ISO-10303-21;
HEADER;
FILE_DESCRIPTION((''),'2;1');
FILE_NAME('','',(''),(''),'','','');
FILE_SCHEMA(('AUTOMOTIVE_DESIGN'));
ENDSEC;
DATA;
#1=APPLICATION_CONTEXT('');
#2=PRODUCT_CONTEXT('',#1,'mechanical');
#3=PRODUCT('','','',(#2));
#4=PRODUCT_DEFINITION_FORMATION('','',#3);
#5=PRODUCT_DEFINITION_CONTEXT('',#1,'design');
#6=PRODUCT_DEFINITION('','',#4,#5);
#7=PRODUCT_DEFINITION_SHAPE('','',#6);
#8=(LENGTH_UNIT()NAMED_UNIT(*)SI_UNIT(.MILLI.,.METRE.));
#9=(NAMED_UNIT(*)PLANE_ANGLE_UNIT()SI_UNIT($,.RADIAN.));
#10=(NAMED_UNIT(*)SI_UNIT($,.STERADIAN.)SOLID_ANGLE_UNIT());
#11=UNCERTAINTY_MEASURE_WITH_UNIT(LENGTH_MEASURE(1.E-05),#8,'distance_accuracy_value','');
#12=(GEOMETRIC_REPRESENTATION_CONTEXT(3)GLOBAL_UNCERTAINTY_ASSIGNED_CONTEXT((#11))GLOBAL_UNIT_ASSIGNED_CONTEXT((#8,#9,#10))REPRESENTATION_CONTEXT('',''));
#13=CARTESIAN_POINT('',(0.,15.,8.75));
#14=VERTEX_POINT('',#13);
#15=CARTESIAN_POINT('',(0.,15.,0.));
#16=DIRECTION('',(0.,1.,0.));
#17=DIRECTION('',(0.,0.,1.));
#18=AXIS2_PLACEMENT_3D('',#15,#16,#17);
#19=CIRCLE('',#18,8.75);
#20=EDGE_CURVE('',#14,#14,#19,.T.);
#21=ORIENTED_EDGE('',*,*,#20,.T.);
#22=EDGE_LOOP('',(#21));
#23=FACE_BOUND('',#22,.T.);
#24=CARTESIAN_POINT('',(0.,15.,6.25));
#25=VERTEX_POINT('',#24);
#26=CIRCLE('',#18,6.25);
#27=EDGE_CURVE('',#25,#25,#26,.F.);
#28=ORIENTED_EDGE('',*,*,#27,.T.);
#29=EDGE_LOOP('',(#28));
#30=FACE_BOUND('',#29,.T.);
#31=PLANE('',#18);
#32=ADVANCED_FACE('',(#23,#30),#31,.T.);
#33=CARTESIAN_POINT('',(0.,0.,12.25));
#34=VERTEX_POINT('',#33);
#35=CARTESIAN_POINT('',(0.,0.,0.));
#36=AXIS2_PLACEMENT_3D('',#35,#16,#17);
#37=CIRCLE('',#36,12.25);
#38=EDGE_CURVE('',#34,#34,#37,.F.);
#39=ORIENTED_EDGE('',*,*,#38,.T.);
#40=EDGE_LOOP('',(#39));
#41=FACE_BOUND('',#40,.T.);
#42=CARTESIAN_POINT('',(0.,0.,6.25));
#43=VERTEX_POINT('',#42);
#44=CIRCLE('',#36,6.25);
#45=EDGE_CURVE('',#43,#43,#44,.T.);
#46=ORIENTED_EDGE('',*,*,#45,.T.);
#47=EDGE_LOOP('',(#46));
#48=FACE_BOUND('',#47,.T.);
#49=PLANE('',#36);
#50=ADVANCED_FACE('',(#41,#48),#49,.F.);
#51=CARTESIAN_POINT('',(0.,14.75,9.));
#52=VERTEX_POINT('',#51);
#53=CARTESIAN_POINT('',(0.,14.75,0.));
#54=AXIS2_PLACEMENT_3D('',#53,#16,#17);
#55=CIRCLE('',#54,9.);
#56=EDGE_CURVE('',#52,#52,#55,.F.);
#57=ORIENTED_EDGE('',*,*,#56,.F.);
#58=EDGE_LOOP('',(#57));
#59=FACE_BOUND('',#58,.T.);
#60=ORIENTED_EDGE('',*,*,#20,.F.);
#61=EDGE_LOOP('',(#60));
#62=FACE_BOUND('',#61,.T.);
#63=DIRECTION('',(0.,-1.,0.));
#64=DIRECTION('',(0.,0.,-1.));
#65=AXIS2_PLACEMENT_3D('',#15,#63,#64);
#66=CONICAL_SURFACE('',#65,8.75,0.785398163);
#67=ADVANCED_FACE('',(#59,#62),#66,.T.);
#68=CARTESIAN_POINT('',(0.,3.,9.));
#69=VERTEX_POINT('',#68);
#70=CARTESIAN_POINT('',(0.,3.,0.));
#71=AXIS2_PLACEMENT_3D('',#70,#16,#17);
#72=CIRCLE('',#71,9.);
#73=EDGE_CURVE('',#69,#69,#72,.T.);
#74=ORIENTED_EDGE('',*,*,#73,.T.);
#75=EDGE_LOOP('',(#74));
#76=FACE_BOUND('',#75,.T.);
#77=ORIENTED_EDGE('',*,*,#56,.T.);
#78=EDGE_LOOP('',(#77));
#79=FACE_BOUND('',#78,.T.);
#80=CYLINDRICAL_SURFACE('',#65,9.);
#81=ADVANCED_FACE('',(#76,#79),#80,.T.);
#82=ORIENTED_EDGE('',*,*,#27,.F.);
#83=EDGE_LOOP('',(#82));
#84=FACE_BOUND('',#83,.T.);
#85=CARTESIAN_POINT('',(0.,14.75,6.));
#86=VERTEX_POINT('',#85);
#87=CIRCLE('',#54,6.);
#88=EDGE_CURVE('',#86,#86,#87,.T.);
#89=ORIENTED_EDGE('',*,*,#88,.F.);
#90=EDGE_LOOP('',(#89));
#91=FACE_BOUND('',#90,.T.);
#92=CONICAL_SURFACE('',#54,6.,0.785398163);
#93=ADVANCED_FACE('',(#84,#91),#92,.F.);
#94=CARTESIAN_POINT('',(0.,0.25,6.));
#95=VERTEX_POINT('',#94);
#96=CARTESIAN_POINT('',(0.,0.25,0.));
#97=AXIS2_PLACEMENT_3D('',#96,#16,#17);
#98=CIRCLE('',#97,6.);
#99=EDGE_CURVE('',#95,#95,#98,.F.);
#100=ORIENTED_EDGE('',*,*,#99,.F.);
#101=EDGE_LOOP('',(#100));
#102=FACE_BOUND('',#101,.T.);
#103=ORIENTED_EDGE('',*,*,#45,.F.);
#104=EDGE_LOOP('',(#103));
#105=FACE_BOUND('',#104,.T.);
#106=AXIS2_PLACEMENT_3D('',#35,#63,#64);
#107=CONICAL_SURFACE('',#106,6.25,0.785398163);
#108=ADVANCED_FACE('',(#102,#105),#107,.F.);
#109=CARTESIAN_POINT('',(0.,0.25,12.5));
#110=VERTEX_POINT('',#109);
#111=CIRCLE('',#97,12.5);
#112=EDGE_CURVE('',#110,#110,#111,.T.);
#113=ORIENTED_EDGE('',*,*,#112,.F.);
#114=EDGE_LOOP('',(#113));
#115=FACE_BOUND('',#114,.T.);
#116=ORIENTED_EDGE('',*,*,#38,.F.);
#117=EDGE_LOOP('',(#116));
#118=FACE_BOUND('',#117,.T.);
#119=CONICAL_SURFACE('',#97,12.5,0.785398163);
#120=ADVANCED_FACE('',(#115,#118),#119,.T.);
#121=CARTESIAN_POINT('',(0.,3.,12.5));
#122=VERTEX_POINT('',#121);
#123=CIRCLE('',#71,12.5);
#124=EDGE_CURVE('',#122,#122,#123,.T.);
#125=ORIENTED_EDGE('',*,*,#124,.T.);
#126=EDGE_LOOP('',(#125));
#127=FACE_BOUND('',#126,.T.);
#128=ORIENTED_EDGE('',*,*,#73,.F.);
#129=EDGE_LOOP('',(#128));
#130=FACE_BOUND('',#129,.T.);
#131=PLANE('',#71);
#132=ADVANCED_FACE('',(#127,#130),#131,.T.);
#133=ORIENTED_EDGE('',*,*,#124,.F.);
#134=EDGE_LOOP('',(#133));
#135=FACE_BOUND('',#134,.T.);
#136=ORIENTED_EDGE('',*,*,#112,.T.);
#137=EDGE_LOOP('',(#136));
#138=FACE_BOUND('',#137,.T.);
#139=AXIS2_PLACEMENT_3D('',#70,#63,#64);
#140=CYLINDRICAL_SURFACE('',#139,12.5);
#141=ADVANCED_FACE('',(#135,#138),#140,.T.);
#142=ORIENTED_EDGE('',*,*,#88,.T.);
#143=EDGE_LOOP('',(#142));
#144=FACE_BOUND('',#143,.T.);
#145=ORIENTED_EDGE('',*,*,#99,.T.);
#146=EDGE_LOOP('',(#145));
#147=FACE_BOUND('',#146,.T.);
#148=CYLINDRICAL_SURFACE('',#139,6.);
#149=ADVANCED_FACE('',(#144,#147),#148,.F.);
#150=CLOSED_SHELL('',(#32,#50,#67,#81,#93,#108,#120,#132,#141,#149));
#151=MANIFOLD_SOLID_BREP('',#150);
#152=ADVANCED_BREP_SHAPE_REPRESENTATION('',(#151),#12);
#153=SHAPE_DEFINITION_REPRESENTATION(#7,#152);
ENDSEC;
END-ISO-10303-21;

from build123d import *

# Parameters (mm, degrees)
SKETCH_1_R      = 12.5
SKETCH_1_R_2    = 6
EXTRUDE_1_DEPTH = 3
SKETCH_2_R      = 9
SKETCH_2_R_2    = 6
EXTRUDE_2_DEPTH = 12
CHAMFER_1_SIZE  = 0.25


with BuildPart() as part:
    # 草图1 → 凸台-拉伸1 (new body)
    with BuildSketch(Plane(origin=(0, 0, 0), x_dir=(1, 0, 0), z_dir=(0, 1, 0))):
        with Locations(Location((0, 0, 0), (0, 0, 270))):
            Circle(SKETCH_1_R)
        with Locations(Location((0, 0, 0), (0, 0, 270))):
            Circle(SKETCH_1_R_2, mode=Mode.SUBTRACT)
    extrude(amount=EXTRUDE_1_DEPTH)

    # 草图2 → 凸台-拉伸2 (add)
    with BuildSketch(Plane(origin=(0, 3, 0), x_dir=(1, 0, 0), z_dir=(0, 1, 0))):
        with Locations(Location((0, 0, 0), (0, 0, 270))):
            Circle(SKETCH_2_R)
        with Locations(Location((0, 0, 0), (0, 0, 270))):
            Circle(SKETCH_2_R_2, mode=Mode.SUBTRACT)
    extrude(amount=EXTRUDE_2_DEPTH)

    # 倒角1
    chamfer_1_edges = [part.edges().sort_by_distance(p)[0] for p in [
        (0, 15, -9),
        (0, 15, -6),
        (0, 0, -12.5),
        (0, 0, -6),
    ]]
    chamfer(chamfer_1_edges, length=CHAMFER_1_SIZE)


solid = part.part
